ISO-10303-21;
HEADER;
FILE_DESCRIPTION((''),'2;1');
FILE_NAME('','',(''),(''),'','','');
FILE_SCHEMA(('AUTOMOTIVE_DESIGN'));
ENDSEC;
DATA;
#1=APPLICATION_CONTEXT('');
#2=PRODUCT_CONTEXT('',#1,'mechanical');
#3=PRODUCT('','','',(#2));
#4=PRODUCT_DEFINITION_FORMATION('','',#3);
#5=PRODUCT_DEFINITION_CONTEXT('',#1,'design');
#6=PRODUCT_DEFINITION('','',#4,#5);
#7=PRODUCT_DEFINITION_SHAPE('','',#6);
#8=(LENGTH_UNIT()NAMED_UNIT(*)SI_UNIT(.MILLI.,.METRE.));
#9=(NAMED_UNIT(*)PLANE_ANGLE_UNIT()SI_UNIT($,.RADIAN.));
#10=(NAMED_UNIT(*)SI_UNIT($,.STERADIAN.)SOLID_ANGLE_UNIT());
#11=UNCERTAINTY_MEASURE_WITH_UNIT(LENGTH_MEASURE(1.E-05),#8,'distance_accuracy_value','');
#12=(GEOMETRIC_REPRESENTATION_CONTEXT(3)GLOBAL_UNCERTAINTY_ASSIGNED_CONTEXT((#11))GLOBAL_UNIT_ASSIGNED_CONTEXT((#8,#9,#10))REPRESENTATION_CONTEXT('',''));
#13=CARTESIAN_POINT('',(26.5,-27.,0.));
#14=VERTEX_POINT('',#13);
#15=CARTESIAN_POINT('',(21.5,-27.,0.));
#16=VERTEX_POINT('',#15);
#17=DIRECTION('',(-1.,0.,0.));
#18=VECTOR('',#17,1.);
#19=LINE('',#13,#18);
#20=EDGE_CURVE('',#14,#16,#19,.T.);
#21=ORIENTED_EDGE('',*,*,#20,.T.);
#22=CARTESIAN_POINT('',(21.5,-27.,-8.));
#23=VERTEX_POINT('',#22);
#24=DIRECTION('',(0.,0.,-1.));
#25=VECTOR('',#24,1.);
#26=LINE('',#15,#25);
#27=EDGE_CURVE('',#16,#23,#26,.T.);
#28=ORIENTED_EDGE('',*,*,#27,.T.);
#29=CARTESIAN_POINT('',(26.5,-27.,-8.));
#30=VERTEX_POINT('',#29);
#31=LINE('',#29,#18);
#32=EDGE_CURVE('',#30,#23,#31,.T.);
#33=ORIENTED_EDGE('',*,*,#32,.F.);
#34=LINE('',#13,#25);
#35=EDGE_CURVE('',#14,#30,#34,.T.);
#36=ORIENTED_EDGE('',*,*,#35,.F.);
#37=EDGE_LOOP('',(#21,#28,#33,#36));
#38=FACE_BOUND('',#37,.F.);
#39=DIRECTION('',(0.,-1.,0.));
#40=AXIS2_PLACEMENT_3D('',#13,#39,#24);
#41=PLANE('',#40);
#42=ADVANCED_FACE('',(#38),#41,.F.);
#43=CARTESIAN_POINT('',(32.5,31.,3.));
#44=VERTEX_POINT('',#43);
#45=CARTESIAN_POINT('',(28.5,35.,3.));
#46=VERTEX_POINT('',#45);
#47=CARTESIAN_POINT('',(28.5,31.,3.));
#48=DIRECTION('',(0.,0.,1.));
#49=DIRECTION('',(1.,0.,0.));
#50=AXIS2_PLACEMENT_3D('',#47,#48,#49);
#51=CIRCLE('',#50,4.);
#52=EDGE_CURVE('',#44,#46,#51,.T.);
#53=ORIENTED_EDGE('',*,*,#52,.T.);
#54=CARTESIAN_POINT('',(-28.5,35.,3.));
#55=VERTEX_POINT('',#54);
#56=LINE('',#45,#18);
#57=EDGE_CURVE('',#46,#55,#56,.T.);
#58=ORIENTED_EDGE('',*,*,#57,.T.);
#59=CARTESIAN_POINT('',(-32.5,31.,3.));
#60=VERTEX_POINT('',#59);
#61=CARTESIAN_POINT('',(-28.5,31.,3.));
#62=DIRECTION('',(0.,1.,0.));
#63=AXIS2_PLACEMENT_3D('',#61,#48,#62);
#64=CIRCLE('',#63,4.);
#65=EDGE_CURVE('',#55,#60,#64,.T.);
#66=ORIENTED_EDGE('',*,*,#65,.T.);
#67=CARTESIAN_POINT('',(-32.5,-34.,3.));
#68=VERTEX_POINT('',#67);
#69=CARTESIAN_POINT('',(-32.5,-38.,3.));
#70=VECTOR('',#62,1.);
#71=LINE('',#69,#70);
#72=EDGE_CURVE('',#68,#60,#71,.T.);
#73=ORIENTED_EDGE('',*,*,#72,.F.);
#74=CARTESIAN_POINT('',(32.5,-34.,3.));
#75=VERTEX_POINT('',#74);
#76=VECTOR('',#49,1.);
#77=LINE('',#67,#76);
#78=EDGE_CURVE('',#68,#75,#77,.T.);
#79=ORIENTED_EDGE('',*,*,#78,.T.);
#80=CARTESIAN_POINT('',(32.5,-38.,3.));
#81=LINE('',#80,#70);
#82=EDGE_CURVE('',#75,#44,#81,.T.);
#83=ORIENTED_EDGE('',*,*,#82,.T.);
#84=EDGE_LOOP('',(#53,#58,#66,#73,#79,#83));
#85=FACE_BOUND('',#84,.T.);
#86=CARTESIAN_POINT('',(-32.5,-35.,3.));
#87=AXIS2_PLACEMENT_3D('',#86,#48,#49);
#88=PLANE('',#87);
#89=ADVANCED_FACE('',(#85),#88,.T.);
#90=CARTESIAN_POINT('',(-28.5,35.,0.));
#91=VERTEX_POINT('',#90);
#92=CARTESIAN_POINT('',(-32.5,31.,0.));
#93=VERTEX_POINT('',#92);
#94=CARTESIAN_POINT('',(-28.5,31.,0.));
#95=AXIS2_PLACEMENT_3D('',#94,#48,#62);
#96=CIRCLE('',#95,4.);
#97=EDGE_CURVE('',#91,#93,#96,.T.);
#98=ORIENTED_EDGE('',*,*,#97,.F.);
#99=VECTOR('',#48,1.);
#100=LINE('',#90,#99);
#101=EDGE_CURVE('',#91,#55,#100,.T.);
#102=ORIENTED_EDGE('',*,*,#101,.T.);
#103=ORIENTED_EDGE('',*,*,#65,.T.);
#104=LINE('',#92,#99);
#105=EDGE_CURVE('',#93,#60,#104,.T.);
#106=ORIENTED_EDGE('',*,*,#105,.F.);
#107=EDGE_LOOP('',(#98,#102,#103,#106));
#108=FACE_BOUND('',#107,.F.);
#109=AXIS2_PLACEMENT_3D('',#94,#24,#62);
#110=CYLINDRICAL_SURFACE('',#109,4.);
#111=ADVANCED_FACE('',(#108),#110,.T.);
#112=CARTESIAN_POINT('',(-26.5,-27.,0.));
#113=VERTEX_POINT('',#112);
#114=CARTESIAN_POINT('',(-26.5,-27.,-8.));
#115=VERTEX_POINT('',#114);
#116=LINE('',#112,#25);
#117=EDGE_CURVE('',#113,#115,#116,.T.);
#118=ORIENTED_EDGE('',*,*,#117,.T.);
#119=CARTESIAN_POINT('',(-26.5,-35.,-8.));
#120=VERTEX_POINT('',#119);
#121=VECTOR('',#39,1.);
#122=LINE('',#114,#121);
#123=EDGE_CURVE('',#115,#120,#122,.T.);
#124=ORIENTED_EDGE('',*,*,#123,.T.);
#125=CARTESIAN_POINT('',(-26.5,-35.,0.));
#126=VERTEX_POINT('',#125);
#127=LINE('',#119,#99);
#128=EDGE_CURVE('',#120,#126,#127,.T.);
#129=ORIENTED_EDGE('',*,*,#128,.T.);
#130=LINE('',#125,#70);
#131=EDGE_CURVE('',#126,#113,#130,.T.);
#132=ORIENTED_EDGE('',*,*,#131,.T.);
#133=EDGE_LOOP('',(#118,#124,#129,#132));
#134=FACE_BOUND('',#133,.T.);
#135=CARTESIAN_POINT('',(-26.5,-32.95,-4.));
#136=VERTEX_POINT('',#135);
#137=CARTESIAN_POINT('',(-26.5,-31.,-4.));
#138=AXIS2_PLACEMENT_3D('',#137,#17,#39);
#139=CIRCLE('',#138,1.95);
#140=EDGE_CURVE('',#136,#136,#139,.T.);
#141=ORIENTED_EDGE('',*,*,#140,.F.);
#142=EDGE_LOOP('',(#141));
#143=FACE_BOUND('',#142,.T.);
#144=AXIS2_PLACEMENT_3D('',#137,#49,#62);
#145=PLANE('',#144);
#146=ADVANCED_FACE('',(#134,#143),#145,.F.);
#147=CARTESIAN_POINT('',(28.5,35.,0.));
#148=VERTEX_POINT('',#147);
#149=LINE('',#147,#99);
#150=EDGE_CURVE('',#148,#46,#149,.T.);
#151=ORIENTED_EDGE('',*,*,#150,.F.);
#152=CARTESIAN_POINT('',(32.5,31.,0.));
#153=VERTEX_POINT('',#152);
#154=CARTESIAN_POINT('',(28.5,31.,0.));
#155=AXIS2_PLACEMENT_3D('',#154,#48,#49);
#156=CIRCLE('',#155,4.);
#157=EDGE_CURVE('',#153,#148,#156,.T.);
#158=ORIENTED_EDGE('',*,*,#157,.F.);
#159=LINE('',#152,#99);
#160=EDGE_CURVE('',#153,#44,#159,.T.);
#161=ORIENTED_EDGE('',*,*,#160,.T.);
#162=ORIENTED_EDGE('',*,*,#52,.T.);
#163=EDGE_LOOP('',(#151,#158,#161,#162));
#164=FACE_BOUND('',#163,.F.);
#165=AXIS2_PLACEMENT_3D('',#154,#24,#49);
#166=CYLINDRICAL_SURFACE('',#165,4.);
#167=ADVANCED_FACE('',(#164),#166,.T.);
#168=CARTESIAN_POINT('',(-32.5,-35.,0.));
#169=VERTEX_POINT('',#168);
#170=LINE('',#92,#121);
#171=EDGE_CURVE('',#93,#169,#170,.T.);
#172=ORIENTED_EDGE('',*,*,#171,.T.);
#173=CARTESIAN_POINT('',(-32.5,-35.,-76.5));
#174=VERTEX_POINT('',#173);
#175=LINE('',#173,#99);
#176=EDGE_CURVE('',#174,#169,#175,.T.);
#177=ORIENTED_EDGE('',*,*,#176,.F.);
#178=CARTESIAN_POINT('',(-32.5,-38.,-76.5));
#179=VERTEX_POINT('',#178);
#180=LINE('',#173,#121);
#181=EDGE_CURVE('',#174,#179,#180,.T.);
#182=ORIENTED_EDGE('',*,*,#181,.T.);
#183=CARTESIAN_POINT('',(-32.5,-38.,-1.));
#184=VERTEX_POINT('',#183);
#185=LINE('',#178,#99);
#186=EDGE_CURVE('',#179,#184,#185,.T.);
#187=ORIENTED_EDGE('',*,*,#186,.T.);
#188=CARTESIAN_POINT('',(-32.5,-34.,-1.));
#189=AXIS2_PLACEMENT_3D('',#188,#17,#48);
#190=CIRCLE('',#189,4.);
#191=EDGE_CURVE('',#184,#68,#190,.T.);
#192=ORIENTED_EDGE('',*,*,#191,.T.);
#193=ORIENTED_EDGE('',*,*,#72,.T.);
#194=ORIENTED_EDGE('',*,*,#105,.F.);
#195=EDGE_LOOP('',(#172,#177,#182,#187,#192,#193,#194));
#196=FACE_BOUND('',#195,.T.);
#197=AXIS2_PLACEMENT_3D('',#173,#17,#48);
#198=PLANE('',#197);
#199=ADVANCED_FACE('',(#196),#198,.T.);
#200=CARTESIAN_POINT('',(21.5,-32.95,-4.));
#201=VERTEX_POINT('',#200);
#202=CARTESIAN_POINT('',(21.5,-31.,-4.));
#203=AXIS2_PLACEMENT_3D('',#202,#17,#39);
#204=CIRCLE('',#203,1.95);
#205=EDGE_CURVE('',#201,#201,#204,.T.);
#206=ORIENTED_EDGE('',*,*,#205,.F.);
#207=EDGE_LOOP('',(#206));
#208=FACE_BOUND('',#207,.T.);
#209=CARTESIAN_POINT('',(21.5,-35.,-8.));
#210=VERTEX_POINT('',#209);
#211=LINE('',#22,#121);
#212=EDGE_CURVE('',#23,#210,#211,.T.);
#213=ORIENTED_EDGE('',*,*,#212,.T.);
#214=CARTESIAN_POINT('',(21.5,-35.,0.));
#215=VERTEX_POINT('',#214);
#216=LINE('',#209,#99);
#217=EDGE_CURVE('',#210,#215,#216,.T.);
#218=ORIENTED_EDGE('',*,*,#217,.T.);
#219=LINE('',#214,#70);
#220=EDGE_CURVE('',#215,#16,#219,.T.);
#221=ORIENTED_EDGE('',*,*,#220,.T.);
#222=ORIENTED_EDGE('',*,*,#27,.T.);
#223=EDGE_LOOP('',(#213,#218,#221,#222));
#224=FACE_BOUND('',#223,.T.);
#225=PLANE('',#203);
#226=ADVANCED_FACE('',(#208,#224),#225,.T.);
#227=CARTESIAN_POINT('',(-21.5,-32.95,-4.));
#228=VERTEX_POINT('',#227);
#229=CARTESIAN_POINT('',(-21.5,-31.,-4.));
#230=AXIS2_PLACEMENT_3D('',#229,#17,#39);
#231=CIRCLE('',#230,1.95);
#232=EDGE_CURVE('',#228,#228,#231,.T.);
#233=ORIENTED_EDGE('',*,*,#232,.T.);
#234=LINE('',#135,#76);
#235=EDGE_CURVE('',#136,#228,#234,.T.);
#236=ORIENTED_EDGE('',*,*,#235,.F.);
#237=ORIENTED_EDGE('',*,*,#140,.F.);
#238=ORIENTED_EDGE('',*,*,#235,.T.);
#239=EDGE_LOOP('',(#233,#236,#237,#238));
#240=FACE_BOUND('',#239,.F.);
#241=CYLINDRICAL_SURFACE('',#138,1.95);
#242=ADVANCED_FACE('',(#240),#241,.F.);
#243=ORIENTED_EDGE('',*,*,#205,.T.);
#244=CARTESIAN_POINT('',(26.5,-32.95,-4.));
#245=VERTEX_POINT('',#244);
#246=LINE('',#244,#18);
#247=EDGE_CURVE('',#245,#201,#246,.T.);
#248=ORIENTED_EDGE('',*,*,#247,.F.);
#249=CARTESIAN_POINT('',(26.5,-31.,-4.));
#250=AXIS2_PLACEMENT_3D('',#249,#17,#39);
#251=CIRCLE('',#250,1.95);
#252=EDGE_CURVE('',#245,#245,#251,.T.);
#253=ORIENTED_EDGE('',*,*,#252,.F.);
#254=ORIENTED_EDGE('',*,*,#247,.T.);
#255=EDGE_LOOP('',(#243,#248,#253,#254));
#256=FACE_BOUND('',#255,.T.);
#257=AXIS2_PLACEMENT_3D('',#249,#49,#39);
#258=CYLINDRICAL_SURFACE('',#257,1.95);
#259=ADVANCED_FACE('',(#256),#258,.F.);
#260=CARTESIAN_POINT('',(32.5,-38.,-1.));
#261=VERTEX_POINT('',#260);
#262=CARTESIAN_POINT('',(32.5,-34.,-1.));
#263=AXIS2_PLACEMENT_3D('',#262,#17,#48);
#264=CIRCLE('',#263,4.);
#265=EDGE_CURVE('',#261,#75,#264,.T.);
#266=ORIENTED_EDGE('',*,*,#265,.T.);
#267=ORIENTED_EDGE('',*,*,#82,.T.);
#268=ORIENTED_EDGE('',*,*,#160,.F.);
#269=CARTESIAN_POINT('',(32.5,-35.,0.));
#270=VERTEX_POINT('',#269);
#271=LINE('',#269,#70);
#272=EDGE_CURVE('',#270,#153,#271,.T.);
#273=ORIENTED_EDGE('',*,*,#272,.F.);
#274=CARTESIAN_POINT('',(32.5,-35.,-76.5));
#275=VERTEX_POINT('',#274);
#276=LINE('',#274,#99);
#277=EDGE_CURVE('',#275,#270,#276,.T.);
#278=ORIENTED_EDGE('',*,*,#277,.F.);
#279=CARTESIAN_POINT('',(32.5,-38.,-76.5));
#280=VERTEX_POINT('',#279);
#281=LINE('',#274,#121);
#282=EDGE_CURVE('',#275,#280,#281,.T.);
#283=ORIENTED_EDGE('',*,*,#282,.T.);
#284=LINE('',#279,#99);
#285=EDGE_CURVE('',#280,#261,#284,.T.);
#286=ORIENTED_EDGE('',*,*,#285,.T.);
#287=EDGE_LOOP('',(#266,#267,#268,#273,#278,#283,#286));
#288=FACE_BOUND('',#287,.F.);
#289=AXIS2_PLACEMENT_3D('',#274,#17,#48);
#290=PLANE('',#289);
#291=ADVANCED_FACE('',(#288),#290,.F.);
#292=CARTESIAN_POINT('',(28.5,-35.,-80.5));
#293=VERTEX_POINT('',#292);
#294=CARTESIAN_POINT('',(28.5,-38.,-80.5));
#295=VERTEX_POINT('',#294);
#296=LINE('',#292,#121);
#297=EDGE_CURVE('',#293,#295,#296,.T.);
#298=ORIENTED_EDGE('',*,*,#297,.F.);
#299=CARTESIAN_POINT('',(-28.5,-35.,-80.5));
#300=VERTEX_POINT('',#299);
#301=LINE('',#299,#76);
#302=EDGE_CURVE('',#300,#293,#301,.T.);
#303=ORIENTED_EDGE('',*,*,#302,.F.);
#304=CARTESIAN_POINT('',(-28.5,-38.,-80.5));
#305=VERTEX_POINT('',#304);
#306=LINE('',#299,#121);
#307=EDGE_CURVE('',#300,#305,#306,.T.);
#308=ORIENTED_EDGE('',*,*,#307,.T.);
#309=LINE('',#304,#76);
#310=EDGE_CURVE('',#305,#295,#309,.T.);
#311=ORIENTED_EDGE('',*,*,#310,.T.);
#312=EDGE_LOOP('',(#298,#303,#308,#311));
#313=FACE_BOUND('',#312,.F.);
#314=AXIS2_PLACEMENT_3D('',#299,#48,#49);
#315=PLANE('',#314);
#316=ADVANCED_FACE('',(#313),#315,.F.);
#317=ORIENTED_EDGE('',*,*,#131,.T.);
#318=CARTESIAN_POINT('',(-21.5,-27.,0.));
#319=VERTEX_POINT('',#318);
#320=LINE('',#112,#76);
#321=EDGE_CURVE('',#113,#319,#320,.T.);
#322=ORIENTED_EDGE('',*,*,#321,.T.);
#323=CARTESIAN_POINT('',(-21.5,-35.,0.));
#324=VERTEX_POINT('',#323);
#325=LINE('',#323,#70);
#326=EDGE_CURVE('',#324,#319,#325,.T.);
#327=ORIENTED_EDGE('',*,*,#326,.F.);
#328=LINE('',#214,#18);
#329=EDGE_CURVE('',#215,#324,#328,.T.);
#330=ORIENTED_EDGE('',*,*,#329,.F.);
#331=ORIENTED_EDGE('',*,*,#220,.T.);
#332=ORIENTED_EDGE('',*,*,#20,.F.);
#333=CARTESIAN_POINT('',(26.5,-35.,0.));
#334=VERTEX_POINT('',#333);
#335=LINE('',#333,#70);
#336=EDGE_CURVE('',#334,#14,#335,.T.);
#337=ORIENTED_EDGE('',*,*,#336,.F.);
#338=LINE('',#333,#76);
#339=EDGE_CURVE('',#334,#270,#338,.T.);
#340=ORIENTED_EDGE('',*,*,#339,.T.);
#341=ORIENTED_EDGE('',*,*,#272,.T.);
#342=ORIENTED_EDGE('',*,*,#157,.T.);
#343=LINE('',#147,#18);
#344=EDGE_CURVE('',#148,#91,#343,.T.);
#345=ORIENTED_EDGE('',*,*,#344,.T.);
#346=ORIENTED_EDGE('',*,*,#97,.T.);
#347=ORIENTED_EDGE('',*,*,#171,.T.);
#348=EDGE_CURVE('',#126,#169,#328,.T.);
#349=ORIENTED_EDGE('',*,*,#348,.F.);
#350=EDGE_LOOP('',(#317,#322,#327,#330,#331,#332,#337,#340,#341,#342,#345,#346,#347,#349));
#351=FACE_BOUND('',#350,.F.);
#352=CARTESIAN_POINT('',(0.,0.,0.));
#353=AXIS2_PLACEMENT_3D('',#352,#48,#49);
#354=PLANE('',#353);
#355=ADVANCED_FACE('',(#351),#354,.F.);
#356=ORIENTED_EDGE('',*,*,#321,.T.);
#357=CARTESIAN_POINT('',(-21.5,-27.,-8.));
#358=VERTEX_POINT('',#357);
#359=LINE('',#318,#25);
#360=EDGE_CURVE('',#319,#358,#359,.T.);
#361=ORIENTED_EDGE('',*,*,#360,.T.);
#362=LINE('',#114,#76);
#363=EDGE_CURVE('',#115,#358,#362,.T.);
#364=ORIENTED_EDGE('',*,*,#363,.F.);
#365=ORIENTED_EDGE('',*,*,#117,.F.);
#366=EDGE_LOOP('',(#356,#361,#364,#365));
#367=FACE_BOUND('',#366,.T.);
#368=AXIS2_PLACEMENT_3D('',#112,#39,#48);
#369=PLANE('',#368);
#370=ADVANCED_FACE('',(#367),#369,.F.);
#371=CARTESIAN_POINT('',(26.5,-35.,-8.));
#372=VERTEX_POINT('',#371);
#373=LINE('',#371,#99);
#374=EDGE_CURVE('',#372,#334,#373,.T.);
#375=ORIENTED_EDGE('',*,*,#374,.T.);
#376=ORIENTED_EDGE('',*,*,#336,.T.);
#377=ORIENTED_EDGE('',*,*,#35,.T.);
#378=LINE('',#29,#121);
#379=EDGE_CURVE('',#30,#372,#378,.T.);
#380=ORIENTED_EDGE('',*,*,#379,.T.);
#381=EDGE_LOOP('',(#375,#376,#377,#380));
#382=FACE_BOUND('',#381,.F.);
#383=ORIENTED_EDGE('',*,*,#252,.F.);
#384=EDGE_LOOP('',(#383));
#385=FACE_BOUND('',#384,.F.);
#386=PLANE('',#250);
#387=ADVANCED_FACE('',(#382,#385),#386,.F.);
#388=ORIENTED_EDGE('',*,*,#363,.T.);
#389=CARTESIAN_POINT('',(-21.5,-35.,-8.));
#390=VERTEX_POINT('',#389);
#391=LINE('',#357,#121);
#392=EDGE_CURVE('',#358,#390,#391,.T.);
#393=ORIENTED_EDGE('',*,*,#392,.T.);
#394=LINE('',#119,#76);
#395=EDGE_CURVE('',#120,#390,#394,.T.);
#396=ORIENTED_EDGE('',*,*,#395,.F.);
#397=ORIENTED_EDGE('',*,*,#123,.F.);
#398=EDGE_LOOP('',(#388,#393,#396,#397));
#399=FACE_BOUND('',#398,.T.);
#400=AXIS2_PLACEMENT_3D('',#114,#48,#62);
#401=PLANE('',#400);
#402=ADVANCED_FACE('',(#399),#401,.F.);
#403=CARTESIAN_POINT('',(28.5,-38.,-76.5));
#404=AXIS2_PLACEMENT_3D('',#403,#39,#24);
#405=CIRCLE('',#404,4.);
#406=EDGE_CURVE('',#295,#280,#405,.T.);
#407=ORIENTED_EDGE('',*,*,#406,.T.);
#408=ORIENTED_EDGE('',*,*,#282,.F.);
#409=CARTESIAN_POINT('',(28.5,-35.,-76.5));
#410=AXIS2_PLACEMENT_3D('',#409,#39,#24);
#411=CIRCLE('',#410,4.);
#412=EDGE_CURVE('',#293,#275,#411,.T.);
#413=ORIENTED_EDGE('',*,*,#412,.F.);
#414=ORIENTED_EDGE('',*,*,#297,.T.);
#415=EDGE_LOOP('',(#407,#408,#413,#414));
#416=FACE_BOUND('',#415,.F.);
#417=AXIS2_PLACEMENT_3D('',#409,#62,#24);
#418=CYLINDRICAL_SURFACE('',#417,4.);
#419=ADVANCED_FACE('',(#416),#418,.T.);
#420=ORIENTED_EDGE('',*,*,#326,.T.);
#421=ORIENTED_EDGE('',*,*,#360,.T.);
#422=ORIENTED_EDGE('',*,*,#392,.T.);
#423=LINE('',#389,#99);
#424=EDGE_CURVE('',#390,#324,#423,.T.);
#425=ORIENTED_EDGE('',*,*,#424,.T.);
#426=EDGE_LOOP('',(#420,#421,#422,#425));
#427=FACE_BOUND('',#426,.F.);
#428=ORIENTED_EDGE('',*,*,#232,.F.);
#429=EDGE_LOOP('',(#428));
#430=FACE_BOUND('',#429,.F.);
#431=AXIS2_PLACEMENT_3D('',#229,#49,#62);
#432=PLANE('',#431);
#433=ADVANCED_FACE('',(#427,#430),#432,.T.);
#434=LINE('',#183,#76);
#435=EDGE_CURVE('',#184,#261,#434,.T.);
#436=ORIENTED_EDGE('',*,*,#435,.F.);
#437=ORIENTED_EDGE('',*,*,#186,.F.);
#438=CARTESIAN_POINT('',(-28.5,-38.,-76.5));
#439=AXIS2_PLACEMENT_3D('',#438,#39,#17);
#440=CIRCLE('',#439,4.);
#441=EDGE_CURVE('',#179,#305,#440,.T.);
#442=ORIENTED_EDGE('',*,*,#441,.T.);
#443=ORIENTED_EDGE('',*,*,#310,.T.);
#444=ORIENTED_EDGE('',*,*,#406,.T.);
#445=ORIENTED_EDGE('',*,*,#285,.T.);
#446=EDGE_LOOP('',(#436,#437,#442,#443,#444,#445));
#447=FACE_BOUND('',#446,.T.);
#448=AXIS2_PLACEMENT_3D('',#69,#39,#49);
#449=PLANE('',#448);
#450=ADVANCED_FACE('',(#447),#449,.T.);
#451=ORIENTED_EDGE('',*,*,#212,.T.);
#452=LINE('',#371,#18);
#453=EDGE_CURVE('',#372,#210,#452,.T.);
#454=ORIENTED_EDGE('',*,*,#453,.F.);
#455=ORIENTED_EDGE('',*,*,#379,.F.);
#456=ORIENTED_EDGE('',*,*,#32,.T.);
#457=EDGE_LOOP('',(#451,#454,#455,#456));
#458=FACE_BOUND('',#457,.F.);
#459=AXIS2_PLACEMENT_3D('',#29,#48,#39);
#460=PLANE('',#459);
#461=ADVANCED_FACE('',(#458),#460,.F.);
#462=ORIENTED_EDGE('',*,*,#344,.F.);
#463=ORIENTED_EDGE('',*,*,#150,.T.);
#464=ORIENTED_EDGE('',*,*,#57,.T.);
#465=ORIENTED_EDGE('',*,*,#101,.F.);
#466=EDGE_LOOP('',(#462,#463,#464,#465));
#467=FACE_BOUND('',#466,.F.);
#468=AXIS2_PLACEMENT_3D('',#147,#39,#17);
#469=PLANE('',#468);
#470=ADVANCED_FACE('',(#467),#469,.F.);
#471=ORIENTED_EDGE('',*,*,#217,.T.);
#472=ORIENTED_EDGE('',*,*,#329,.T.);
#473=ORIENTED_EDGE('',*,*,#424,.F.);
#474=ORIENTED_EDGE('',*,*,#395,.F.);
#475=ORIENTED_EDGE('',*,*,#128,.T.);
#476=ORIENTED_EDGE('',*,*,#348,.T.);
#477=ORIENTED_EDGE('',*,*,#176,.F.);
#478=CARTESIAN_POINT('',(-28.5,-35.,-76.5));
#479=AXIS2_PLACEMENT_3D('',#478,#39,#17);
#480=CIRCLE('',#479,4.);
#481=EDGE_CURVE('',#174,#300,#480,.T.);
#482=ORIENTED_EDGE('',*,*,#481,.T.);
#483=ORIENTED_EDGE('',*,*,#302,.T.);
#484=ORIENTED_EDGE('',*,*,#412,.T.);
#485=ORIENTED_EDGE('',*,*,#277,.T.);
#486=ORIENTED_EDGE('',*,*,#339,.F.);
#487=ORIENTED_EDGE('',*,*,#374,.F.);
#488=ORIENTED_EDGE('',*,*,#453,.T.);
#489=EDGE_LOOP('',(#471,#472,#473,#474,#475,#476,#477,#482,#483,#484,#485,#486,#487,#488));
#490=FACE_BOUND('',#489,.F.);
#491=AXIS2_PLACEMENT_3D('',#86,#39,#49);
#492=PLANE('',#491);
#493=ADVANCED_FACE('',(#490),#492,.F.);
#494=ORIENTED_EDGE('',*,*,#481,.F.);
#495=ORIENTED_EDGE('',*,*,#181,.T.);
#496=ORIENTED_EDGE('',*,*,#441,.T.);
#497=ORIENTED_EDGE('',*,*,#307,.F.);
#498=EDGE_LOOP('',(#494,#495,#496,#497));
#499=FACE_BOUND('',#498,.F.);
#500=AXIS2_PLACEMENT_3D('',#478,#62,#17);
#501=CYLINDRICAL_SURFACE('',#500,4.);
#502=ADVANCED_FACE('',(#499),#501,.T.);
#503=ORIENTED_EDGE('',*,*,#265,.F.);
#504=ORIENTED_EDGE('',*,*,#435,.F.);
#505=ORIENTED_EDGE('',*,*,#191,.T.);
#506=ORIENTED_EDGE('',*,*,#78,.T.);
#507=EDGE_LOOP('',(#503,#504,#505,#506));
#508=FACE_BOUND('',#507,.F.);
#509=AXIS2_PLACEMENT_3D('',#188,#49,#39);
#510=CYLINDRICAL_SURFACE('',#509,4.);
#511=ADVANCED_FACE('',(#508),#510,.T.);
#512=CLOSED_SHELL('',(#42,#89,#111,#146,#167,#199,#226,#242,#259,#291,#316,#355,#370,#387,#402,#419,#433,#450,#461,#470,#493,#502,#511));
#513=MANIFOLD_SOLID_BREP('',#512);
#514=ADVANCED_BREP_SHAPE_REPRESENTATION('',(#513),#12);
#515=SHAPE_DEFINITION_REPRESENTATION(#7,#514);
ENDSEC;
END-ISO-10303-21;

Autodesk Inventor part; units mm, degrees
ref_plane "YZ Plane" through (0, 0, 0) normal (1, 0, 0) x (0, 1, 0)
ref_plane "XZ Plane" through (0, 0, 0) normal (0, 1, 0) x (-1, 0, 0)
ref_plane "XY Plane" through (0, 0, 0) normal (0, 0, 1) x (1, 0, 0)
sketch "Эскиз1" plane through (0, 0, 0) normal (0, 0, 1) x (1, 0, 0)
  line L0 (28.5, 35) -> (-28.5, 35)
  arc A0 (32.5, 31) -> (28.5, 35) centre (28.5, 31) ccw
  arc A1 (-28.5, 35) -> (-32.5, 31) centre (-28.5, 31) ccw
  line L1 (-32.5, 31) -> (-32.5, -35)
  line L2 (32.5, -35) -> (32.5, 31)
  line L3 (26.5, -35) -> (32.5, -35)
  line L4 (-32.5, -35) -> (-26.5, -35)
  line L5 (26.5, -35) -> (-26.5, -35)
  point P0 (0, 0)
extrude "Выдавливание1" add sketch "Эскиз1" along normal blind 3
ref_plane "РабПлоскость1" through (26.5, -31, -4) normal (-1, 0, 0) x (0, -1, 0)
sketch "Эскиз3" plane through (26.5, -31, -4) normal (-1, 0, 0) x (0, -1, 0)
  line L0 (-4, 4) -> (-4, -4) projected
  line L1 (-4, -4) -> (4, -4) projected
  line L2 (4, -4) -> (4, 4) projected
  line L3 (4, 4) -> (-4, 4) projected
  circle A0 centre (0, 0) radius 1.95 projected
  point P0 (-31, 4)
extrude "Выдавливание3" add sketch "Эскиз3" along normal blind 5
sketch "Эскиз4" plane through (-32.5, -35, 3) normal (0, -1, 0) x (1, 0, 0)
  line L0 (0, -79.5) -> (0, -3) projected
  line L1 (0, -3) -> (0, 0) projected
  line L2 (0, 0) -> (65, 0) projected
  line L3 (65, -3) -> (65, 0) projected
  line L4 (65, -79.5) -> (65, -3) projected
  arc A0 (61, -83.5) -> (65, -79.5) centre (61, -79.5) ccw projected
  line L5 (4, -83.5) -> (61, -83.5) projected
  arc A1 (0, -79.5) -> (4, -83.5) centre (4, -79.5) ccw projected
  point P0 (32.5, -3)
extrude "Выдавливание4" add sketch "Эскиз4" along normal blind 3
ref_plane "РабПлоскость3" through (0, 31, 0) normal (-1, 0, 0) x (0, 0, 1)
mirror "Зеркальное отражение2" about plane through (0, 31, 0) normal (-1, 0, 0) of "Выдавливание3"
fillet "Сопряжение3" radius 4 1 edges at (0, -38, 3)
properties part number "tail_box_cup"
